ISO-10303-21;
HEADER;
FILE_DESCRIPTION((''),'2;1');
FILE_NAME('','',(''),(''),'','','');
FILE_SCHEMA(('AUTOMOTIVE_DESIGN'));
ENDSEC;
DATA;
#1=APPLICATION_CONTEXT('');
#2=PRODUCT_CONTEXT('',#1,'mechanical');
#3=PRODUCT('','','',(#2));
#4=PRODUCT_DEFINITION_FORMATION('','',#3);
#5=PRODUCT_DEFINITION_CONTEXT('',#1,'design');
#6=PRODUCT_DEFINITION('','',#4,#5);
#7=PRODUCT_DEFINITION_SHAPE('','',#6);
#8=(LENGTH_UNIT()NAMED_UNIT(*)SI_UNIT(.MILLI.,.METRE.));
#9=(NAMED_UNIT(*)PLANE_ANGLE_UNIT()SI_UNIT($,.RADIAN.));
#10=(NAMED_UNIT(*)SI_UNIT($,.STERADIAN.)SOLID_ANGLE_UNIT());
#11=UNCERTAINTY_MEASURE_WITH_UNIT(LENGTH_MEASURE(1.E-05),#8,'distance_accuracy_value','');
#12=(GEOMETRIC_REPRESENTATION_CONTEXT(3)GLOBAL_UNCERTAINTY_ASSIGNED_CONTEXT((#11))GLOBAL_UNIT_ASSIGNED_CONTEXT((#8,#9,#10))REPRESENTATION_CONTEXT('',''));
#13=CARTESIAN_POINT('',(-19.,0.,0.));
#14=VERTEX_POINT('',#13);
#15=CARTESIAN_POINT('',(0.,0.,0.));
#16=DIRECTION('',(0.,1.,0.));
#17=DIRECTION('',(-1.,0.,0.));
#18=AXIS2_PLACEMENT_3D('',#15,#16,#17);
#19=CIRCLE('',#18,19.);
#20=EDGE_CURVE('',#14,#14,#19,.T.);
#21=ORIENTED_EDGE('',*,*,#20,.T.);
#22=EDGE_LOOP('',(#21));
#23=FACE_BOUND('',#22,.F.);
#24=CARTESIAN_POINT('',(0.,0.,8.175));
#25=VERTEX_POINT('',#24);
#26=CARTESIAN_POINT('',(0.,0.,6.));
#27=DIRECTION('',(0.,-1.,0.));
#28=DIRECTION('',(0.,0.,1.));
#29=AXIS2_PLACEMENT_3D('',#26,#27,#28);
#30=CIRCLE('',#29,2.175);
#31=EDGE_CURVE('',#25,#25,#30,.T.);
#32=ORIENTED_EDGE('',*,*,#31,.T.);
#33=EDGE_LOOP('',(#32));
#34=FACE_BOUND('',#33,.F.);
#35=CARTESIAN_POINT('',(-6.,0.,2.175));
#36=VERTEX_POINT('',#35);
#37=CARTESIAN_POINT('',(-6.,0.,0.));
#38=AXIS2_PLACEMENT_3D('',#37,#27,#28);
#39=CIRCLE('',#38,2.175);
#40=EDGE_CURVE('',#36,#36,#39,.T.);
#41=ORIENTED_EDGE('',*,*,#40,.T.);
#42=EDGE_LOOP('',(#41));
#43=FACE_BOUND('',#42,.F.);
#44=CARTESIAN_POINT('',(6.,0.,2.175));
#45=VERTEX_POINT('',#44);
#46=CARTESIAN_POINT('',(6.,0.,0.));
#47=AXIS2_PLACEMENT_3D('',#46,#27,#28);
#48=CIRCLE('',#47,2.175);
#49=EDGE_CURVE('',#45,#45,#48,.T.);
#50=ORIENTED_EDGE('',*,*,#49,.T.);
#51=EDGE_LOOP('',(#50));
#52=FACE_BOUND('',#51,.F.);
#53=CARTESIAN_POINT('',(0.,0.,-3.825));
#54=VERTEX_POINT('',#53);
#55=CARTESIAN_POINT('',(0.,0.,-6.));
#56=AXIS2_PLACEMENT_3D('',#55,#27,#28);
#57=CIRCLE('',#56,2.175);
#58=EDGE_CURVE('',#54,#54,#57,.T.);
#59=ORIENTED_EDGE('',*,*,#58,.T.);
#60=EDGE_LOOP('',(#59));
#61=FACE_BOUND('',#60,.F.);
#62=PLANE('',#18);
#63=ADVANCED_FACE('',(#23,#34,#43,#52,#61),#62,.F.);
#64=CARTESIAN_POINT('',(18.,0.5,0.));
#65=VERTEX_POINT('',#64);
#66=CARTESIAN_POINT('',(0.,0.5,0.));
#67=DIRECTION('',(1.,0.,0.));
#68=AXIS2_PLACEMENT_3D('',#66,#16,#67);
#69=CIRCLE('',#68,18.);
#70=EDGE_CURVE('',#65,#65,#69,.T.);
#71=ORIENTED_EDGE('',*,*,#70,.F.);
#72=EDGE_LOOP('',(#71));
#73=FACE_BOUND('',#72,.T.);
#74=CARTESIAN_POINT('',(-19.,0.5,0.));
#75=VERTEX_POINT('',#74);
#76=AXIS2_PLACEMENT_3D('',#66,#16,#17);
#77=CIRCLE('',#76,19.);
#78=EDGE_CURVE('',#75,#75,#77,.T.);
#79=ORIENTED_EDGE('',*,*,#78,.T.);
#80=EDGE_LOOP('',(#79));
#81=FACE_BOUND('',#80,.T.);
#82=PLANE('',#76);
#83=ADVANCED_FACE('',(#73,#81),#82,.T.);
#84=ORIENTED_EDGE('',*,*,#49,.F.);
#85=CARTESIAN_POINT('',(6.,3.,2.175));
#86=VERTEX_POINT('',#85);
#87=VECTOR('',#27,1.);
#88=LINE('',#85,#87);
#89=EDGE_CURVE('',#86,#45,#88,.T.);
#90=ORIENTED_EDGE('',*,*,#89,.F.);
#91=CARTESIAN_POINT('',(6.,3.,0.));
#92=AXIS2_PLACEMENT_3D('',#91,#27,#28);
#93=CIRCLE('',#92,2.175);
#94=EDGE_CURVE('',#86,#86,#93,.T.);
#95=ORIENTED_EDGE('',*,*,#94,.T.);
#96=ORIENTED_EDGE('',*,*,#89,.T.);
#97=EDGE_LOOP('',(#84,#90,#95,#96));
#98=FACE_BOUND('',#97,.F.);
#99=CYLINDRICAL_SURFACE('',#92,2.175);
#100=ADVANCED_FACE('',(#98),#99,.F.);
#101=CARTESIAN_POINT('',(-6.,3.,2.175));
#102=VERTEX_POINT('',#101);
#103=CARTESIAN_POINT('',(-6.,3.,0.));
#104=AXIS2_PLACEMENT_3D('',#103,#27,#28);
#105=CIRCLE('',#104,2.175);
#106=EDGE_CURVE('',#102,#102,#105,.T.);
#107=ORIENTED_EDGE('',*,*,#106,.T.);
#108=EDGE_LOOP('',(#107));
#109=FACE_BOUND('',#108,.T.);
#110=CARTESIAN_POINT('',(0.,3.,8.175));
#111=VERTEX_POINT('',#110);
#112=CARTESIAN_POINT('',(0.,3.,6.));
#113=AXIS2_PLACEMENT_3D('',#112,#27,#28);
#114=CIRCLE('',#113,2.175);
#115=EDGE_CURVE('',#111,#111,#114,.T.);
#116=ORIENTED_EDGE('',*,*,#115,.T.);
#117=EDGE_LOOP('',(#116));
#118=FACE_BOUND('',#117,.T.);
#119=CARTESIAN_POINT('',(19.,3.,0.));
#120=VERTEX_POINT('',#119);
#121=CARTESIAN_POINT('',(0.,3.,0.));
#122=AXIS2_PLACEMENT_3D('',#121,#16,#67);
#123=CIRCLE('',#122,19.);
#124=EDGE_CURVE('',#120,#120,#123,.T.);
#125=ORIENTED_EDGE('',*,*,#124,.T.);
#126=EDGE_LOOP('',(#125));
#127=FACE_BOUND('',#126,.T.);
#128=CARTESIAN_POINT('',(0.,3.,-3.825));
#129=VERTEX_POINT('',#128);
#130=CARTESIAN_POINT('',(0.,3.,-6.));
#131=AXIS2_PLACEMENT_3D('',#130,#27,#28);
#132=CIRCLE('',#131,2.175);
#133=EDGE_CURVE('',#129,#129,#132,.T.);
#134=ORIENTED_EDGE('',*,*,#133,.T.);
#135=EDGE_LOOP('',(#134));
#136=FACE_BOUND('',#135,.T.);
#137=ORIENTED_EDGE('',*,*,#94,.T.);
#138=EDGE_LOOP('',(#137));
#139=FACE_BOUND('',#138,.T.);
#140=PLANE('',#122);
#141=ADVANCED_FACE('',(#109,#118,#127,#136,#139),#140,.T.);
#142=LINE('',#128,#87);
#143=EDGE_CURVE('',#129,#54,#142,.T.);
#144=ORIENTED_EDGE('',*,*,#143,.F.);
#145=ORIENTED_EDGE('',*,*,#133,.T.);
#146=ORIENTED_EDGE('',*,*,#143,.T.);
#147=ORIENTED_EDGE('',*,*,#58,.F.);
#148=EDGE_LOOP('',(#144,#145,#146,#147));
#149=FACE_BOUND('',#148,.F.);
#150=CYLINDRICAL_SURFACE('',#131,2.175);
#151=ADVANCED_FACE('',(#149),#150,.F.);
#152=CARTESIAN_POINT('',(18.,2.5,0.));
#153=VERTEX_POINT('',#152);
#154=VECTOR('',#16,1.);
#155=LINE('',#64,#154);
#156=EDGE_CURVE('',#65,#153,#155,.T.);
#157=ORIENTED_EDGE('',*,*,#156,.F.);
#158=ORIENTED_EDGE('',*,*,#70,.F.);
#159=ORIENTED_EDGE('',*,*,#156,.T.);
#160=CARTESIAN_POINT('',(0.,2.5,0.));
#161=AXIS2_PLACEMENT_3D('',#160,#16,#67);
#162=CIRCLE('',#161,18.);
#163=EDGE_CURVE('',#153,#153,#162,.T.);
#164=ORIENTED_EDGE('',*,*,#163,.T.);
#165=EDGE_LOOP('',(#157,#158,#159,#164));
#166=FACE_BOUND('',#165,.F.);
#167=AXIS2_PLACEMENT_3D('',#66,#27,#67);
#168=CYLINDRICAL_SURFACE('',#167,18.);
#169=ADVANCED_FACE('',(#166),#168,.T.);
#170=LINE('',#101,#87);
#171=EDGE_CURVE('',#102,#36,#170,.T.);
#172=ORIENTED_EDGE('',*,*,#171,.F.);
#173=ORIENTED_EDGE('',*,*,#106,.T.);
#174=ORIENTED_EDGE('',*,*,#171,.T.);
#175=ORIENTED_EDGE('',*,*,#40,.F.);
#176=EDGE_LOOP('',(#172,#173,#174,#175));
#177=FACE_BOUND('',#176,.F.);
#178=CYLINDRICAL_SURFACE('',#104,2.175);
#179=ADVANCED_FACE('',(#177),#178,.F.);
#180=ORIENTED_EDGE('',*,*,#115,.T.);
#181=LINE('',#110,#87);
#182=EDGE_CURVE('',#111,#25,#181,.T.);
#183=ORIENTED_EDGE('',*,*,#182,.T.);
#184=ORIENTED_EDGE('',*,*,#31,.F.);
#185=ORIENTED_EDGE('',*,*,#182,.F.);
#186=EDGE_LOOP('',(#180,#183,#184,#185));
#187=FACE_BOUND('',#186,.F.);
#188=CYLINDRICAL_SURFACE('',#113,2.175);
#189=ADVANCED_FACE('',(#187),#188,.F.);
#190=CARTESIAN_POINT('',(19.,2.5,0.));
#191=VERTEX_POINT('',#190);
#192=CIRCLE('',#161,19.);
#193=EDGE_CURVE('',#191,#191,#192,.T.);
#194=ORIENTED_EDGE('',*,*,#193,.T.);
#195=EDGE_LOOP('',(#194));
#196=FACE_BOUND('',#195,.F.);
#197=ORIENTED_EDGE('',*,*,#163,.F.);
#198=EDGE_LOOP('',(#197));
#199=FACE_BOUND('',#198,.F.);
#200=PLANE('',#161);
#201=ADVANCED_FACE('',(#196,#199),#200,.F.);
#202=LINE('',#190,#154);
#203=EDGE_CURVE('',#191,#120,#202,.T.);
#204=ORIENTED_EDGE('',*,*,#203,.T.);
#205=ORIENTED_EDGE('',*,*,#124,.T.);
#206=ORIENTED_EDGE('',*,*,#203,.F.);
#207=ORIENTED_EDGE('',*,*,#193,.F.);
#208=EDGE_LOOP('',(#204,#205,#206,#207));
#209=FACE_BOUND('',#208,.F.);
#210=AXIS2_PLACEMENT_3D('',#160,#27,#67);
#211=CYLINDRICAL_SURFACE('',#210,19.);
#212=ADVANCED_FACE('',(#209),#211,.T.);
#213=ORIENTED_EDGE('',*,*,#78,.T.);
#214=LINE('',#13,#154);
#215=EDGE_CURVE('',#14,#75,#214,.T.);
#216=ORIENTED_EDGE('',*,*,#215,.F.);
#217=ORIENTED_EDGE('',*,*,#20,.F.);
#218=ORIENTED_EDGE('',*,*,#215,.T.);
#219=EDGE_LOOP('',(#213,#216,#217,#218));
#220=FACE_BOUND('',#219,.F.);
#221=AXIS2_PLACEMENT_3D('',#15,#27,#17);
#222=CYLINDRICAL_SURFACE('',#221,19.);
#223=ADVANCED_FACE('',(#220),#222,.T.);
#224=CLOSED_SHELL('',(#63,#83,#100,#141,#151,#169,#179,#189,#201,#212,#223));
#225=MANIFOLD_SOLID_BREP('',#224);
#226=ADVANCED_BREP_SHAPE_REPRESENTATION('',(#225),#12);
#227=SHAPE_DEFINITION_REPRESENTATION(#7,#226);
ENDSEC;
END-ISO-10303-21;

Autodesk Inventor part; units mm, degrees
ref_plane "YZ Plane" through (0, 0, 0) normal (1, 0, 0) x (0, 1, 0)
ref_plane "XZ Plane" through (0, 0, 0) normal (0, 1, 0) x (-1, 0, 0)
ref_plane "XY Plane" through (0, 0, 0) normal (0, 0, 1) x (1, 0, 0)
sketch "Sketch1" plane through (0, 0, 0) normal (0, 1, 0) x (-1, 0, 0)
  circle A0 centre (0, 0) radius 19
  dimension "d0" = 38
extrude "Extrusion1" add sketch "Sketch1" along normal blind 0.5
sketch "Sketch2" plane through (0, 0.5, 0) normal (0, 1, 0) x (1, 0, 0)
  circle A0 centre (0, 0) radius 18
  dimension "d3" = 36
extrude "Extrusion2" add sketch "Sketch2" along normal blind 2
sketch "Sketch3" plane through (0, 2.5, 0) normal (0, 1, 0) x (1, 0, 0)
  circle A0 centre (0, 0) radius 19
  dimension "d23" = 38
extrude "Extrusion3" add sketch "Sketch3" along normal blind 0.5
sketch "Sketch4" plane through (0, 3, 0) normal (0, 1, 0) x (1, 0, 0)
  circle A0 centre (0, -6) radius 2.175
  circle A1 centre (0, 6) radius 2.175
  circle A2 centre (6, 0) radius 2.175
  circle A3 centre (-6, 0) radius 2.175
  point P0 (0, 0)
  dimension "d8" = 4.35
  dimension "d9" = 6
  dimension "d10" = 4.35
  dimension "d11" = 6
  dimension "d12" = 4.35
  dimension "d13" = 6
  dimension "d14" = 4.35
  dimension "d15" = 6
hole "Hole1" at (6, 3, 0) at (0, 3, 6) at (-6, 3, 0) at (0, 3, -6) direction (0, -1, 0) diameter 4.35 end through all
properties part number "wheel"
